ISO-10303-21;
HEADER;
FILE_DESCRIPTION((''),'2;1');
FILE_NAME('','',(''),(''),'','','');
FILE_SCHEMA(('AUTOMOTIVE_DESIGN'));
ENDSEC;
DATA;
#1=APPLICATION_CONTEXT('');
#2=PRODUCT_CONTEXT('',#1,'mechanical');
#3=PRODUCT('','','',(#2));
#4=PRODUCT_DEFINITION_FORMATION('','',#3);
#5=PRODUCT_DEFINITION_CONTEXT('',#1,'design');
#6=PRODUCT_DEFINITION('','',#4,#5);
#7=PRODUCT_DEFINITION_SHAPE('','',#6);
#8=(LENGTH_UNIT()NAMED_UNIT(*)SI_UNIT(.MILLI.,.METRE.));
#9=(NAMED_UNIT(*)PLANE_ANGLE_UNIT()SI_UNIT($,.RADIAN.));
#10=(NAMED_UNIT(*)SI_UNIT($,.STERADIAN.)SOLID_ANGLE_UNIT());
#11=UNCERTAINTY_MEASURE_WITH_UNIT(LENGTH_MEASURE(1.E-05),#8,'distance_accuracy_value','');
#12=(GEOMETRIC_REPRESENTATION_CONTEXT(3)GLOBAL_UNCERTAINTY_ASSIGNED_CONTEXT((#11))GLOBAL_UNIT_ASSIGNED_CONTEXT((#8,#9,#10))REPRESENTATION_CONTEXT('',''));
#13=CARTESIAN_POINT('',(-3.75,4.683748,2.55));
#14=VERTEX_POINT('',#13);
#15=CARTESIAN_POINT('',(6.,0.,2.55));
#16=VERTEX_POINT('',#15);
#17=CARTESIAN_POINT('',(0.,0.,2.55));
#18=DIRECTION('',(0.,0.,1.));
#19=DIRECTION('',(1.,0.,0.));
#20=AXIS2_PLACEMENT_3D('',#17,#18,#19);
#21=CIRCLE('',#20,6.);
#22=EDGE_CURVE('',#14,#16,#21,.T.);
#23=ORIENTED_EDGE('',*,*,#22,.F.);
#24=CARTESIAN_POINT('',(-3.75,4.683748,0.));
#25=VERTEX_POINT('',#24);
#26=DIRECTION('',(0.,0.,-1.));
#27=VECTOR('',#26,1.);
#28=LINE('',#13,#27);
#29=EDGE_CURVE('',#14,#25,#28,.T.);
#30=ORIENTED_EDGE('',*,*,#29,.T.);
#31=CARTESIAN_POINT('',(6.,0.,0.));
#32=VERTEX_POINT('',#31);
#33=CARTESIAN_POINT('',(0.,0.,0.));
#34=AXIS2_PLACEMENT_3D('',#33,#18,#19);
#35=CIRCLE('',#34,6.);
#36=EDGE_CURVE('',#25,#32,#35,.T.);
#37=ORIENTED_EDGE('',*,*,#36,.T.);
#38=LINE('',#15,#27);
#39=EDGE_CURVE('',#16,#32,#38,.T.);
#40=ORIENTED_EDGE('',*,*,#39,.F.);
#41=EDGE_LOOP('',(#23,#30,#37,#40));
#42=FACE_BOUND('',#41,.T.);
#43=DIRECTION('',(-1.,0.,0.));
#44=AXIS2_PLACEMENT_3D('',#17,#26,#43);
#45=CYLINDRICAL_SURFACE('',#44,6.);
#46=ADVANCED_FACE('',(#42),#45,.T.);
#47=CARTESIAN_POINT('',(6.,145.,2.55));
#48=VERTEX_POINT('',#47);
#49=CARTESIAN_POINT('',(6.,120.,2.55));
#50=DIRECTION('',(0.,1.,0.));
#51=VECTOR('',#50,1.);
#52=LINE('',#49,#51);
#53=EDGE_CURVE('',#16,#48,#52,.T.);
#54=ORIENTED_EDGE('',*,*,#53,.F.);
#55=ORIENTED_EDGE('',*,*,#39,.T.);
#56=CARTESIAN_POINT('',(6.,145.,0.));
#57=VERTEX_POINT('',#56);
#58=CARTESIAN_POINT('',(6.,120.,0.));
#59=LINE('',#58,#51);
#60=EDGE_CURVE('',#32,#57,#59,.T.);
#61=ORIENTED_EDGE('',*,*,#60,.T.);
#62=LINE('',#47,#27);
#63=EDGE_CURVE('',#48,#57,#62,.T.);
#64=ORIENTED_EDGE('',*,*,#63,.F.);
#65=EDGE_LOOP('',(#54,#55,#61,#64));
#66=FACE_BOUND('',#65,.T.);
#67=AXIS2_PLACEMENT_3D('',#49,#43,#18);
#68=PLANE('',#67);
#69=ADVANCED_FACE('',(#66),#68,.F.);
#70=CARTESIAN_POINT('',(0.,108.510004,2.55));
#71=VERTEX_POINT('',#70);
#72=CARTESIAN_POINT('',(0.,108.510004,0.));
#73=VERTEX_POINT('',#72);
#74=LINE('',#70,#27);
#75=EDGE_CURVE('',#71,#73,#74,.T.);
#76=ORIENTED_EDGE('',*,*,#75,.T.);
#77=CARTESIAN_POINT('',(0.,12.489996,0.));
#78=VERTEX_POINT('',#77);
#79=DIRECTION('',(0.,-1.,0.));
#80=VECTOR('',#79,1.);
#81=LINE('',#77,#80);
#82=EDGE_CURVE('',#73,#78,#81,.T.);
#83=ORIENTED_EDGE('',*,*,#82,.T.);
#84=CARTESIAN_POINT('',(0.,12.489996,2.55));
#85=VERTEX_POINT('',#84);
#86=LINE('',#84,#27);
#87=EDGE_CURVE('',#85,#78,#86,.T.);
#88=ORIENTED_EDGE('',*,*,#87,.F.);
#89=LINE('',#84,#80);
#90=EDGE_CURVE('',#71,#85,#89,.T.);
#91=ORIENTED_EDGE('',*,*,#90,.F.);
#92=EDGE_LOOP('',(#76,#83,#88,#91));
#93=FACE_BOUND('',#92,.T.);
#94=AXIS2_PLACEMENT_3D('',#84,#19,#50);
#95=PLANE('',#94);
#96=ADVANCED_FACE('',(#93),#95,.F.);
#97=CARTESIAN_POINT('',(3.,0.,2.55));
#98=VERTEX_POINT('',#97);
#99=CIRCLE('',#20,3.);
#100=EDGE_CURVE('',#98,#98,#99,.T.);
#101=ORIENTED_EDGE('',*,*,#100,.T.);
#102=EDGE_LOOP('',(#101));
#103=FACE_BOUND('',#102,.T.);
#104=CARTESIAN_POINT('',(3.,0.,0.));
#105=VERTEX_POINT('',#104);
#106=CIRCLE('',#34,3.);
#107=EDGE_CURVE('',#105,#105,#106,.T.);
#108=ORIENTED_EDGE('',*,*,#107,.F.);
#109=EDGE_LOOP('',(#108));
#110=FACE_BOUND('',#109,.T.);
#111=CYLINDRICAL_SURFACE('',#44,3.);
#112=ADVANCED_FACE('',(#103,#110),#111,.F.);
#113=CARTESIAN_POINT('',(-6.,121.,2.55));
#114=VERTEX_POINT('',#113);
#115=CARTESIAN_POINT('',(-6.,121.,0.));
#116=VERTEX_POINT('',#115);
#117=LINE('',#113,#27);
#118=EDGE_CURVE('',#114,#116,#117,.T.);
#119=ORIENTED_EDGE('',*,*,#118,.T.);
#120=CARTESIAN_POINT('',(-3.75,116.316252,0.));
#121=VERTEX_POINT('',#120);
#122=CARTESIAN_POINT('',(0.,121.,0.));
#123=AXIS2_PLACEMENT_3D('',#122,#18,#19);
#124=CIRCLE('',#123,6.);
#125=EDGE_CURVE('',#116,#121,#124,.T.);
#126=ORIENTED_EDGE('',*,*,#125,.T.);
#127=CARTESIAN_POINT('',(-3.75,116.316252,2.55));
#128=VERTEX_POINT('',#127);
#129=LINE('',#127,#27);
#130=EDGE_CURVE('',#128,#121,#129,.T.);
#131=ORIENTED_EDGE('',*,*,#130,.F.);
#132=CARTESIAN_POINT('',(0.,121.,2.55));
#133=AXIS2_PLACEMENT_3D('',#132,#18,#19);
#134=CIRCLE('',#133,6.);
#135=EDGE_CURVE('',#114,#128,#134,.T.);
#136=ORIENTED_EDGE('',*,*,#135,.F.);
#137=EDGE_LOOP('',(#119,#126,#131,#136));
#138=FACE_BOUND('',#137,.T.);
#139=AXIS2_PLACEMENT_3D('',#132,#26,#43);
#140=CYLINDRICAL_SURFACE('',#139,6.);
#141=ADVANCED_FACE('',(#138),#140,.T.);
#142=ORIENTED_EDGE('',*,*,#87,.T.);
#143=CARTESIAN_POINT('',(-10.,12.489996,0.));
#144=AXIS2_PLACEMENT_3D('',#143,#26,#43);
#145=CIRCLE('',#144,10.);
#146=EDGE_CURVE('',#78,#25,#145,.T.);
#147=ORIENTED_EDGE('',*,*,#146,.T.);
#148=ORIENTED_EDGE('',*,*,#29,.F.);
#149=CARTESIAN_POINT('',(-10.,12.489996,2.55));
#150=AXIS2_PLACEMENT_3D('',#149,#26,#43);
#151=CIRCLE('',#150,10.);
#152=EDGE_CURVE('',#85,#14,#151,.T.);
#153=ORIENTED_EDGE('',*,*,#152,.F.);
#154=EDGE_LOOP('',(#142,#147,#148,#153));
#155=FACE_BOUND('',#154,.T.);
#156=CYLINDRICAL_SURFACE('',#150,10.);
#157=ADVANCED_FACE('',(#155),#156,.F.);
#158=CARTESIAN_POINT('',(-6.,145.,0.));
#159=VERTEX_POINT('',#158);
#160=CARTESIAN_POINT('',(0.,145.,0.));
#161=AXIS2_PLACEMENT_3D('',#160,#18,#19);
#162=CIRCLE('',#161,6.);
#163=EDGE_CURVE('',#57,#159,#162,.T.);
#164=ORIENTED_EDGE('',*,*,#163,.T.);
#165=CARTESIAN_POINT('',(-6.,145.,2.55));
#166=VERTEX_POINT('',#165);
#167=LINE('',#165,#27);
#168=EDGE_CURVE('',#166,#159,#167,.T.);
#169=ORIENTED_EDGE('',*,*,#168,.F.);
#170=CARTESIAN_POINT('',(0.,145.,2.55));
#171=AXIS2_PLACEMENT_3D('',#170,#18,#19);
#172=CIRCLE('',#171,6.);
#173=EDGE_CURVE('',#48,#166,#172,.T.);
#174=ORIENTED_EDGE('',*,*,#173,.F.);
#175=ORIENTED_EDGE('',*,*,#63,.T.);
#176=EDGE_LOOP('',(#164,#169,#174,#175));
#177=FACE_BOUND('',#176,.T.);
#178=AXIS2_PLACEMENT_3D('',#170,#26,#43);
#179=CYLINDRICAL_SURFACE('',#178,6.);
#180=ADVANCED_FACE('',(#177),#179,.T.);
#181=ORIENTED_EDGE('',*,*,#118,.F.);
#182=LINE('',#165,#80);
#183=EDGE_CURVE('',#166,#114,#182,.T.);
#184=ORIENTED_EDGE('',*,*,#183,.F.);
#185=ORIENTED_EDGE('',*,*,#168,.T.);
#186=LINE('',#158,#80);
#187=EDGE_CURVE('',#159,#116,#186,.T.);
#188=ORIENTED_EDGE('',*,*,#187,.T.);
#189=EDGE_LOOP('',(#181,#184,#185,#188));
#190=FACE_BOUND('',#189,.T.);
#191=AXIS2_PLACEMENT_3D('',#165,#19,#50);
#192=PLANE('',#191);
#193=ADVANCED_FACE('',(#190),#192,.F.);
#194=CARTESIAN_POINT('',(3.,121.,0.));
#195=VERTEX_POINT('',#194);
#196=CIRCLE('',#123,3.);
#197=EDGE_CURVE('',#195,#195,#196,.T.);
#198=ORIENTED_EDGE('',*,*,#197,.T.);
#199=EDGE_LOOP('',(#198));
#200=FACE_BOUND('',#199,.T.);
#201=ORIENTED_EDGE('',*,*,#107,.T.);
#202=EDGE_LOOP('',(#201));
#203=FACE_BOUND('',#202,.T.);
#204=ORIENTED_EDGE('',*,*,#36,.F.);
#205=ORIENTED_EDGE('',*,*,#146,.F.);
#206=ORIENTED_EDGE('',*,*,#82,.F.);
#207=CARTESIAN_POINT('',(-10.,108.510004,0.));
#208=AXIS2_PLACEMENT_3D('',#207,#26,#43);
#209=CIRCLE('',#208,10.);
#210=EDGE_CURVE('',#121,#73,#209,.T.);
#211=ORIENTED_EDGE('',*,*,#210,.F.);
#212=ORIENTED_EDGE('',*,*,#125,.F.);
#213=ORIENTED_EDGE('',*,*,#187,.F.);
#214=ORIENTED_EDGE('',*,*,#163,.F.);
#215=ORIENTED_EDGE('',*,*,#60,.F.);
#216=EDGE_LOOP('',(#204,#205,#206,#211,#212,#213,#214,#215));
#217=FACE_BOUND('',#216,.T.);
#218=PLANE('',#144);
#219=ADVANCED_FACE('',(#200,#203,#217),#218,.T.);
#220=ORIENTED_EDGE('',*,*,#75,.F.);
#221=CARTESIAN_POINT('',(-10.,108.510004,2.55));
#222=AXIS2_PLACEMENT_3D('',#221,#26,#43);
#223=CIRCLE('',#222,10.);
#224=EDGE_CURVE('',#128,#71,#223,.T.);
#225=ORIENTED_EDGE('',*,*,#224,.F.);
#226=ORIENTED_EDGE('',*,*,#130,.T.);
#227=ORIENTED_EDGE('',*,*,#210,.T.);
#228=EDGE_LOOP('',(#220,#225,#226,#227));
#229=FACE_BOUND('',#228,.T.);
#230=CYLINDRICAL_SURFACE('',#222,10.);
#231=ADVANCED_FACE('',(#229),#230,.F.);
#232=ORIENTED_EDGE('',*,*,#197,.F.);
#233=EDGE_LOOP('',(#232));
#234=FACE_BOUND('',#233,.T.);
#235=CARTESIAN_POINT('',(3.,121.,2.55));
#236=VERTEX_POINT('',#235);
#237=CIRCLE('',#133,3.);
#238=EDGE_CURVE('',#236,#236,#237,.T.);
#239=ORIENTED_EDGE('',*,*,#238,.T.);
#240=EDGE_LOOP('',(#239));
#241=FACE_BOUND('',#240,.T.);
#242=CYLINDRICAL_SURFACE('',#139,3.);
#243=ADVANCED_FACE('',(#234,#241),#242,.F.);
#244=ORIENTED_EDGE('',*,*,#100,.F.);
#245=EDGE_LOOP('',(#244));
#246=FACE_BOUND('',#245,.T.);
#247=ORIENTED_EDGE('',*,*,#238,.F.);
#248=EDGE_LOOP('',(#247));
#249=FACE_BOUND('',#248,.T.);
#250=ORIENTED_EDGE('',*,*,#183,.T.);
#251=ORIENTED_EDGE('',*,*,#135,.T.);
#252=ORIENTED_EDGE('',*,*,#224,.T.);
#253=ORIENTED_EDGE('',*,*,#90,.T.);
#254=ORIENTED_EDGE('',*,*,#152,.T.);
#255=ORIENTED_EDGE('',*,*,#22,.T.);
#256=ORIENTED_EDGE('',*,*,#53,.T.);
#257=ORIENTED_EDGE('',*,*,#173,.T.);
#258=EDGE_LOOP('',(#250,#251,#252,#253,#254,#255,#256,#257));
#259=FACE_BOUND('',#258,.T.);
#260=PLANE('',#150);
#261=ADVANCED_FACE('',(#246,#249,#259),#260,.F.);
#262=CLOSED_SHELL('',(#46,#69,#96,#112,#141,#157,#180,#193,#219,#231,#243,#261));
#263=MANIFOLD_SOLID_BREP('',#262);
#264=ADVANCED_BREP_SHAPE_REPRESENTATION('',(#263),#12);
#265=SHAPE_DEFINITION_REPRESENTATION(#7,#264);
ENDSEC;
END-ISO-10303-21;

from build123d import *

# Parameters (mm, degrees)
MODEL_R             = 3
BOSS_EXTRUDE1_DEPTH = 2.55


with BuildPart() as part:
    # Model → Boss-Extrude1 (new body)
    with BuildSketch(Plane.XY):
        with BuildLine():
            Line((6, 120), (6, 145))
            ThreePointArc((6, 145), (0, 151), (-6, 145))
            Line((-6, 145), (-6, 121))
            ThreePointArc((-6, 121), (-5.408326913, 118.401923789), (-3.75, 116.316251501))
            ThreePointArc((-3.75, 116.316251501), (-0.986121811, 112.840131022), (0, 108.510004003))
            Line((0, 108.510004003), (0, 12.489995997))
            ThreePointArc((0, 12.489995997), (-0.986121811, 8.159868978), (-3.75, 4.683748499))
            ThreePointArc((-3.75, 4.683748499), (-2.598076211, -5.408326913), (6, 0))
            Line((6, 0), (6, 120))
        make_face()
        Circle(MODEL_R, mode=Mode.SUBTRACT)
        with Locations((0, 121)):
            Circle(MODEL_R, mode=Mode.SUBTRACT)
    extrude(amount=BOSS_EXTRUDE1_DEPTH)


solid = part.part
